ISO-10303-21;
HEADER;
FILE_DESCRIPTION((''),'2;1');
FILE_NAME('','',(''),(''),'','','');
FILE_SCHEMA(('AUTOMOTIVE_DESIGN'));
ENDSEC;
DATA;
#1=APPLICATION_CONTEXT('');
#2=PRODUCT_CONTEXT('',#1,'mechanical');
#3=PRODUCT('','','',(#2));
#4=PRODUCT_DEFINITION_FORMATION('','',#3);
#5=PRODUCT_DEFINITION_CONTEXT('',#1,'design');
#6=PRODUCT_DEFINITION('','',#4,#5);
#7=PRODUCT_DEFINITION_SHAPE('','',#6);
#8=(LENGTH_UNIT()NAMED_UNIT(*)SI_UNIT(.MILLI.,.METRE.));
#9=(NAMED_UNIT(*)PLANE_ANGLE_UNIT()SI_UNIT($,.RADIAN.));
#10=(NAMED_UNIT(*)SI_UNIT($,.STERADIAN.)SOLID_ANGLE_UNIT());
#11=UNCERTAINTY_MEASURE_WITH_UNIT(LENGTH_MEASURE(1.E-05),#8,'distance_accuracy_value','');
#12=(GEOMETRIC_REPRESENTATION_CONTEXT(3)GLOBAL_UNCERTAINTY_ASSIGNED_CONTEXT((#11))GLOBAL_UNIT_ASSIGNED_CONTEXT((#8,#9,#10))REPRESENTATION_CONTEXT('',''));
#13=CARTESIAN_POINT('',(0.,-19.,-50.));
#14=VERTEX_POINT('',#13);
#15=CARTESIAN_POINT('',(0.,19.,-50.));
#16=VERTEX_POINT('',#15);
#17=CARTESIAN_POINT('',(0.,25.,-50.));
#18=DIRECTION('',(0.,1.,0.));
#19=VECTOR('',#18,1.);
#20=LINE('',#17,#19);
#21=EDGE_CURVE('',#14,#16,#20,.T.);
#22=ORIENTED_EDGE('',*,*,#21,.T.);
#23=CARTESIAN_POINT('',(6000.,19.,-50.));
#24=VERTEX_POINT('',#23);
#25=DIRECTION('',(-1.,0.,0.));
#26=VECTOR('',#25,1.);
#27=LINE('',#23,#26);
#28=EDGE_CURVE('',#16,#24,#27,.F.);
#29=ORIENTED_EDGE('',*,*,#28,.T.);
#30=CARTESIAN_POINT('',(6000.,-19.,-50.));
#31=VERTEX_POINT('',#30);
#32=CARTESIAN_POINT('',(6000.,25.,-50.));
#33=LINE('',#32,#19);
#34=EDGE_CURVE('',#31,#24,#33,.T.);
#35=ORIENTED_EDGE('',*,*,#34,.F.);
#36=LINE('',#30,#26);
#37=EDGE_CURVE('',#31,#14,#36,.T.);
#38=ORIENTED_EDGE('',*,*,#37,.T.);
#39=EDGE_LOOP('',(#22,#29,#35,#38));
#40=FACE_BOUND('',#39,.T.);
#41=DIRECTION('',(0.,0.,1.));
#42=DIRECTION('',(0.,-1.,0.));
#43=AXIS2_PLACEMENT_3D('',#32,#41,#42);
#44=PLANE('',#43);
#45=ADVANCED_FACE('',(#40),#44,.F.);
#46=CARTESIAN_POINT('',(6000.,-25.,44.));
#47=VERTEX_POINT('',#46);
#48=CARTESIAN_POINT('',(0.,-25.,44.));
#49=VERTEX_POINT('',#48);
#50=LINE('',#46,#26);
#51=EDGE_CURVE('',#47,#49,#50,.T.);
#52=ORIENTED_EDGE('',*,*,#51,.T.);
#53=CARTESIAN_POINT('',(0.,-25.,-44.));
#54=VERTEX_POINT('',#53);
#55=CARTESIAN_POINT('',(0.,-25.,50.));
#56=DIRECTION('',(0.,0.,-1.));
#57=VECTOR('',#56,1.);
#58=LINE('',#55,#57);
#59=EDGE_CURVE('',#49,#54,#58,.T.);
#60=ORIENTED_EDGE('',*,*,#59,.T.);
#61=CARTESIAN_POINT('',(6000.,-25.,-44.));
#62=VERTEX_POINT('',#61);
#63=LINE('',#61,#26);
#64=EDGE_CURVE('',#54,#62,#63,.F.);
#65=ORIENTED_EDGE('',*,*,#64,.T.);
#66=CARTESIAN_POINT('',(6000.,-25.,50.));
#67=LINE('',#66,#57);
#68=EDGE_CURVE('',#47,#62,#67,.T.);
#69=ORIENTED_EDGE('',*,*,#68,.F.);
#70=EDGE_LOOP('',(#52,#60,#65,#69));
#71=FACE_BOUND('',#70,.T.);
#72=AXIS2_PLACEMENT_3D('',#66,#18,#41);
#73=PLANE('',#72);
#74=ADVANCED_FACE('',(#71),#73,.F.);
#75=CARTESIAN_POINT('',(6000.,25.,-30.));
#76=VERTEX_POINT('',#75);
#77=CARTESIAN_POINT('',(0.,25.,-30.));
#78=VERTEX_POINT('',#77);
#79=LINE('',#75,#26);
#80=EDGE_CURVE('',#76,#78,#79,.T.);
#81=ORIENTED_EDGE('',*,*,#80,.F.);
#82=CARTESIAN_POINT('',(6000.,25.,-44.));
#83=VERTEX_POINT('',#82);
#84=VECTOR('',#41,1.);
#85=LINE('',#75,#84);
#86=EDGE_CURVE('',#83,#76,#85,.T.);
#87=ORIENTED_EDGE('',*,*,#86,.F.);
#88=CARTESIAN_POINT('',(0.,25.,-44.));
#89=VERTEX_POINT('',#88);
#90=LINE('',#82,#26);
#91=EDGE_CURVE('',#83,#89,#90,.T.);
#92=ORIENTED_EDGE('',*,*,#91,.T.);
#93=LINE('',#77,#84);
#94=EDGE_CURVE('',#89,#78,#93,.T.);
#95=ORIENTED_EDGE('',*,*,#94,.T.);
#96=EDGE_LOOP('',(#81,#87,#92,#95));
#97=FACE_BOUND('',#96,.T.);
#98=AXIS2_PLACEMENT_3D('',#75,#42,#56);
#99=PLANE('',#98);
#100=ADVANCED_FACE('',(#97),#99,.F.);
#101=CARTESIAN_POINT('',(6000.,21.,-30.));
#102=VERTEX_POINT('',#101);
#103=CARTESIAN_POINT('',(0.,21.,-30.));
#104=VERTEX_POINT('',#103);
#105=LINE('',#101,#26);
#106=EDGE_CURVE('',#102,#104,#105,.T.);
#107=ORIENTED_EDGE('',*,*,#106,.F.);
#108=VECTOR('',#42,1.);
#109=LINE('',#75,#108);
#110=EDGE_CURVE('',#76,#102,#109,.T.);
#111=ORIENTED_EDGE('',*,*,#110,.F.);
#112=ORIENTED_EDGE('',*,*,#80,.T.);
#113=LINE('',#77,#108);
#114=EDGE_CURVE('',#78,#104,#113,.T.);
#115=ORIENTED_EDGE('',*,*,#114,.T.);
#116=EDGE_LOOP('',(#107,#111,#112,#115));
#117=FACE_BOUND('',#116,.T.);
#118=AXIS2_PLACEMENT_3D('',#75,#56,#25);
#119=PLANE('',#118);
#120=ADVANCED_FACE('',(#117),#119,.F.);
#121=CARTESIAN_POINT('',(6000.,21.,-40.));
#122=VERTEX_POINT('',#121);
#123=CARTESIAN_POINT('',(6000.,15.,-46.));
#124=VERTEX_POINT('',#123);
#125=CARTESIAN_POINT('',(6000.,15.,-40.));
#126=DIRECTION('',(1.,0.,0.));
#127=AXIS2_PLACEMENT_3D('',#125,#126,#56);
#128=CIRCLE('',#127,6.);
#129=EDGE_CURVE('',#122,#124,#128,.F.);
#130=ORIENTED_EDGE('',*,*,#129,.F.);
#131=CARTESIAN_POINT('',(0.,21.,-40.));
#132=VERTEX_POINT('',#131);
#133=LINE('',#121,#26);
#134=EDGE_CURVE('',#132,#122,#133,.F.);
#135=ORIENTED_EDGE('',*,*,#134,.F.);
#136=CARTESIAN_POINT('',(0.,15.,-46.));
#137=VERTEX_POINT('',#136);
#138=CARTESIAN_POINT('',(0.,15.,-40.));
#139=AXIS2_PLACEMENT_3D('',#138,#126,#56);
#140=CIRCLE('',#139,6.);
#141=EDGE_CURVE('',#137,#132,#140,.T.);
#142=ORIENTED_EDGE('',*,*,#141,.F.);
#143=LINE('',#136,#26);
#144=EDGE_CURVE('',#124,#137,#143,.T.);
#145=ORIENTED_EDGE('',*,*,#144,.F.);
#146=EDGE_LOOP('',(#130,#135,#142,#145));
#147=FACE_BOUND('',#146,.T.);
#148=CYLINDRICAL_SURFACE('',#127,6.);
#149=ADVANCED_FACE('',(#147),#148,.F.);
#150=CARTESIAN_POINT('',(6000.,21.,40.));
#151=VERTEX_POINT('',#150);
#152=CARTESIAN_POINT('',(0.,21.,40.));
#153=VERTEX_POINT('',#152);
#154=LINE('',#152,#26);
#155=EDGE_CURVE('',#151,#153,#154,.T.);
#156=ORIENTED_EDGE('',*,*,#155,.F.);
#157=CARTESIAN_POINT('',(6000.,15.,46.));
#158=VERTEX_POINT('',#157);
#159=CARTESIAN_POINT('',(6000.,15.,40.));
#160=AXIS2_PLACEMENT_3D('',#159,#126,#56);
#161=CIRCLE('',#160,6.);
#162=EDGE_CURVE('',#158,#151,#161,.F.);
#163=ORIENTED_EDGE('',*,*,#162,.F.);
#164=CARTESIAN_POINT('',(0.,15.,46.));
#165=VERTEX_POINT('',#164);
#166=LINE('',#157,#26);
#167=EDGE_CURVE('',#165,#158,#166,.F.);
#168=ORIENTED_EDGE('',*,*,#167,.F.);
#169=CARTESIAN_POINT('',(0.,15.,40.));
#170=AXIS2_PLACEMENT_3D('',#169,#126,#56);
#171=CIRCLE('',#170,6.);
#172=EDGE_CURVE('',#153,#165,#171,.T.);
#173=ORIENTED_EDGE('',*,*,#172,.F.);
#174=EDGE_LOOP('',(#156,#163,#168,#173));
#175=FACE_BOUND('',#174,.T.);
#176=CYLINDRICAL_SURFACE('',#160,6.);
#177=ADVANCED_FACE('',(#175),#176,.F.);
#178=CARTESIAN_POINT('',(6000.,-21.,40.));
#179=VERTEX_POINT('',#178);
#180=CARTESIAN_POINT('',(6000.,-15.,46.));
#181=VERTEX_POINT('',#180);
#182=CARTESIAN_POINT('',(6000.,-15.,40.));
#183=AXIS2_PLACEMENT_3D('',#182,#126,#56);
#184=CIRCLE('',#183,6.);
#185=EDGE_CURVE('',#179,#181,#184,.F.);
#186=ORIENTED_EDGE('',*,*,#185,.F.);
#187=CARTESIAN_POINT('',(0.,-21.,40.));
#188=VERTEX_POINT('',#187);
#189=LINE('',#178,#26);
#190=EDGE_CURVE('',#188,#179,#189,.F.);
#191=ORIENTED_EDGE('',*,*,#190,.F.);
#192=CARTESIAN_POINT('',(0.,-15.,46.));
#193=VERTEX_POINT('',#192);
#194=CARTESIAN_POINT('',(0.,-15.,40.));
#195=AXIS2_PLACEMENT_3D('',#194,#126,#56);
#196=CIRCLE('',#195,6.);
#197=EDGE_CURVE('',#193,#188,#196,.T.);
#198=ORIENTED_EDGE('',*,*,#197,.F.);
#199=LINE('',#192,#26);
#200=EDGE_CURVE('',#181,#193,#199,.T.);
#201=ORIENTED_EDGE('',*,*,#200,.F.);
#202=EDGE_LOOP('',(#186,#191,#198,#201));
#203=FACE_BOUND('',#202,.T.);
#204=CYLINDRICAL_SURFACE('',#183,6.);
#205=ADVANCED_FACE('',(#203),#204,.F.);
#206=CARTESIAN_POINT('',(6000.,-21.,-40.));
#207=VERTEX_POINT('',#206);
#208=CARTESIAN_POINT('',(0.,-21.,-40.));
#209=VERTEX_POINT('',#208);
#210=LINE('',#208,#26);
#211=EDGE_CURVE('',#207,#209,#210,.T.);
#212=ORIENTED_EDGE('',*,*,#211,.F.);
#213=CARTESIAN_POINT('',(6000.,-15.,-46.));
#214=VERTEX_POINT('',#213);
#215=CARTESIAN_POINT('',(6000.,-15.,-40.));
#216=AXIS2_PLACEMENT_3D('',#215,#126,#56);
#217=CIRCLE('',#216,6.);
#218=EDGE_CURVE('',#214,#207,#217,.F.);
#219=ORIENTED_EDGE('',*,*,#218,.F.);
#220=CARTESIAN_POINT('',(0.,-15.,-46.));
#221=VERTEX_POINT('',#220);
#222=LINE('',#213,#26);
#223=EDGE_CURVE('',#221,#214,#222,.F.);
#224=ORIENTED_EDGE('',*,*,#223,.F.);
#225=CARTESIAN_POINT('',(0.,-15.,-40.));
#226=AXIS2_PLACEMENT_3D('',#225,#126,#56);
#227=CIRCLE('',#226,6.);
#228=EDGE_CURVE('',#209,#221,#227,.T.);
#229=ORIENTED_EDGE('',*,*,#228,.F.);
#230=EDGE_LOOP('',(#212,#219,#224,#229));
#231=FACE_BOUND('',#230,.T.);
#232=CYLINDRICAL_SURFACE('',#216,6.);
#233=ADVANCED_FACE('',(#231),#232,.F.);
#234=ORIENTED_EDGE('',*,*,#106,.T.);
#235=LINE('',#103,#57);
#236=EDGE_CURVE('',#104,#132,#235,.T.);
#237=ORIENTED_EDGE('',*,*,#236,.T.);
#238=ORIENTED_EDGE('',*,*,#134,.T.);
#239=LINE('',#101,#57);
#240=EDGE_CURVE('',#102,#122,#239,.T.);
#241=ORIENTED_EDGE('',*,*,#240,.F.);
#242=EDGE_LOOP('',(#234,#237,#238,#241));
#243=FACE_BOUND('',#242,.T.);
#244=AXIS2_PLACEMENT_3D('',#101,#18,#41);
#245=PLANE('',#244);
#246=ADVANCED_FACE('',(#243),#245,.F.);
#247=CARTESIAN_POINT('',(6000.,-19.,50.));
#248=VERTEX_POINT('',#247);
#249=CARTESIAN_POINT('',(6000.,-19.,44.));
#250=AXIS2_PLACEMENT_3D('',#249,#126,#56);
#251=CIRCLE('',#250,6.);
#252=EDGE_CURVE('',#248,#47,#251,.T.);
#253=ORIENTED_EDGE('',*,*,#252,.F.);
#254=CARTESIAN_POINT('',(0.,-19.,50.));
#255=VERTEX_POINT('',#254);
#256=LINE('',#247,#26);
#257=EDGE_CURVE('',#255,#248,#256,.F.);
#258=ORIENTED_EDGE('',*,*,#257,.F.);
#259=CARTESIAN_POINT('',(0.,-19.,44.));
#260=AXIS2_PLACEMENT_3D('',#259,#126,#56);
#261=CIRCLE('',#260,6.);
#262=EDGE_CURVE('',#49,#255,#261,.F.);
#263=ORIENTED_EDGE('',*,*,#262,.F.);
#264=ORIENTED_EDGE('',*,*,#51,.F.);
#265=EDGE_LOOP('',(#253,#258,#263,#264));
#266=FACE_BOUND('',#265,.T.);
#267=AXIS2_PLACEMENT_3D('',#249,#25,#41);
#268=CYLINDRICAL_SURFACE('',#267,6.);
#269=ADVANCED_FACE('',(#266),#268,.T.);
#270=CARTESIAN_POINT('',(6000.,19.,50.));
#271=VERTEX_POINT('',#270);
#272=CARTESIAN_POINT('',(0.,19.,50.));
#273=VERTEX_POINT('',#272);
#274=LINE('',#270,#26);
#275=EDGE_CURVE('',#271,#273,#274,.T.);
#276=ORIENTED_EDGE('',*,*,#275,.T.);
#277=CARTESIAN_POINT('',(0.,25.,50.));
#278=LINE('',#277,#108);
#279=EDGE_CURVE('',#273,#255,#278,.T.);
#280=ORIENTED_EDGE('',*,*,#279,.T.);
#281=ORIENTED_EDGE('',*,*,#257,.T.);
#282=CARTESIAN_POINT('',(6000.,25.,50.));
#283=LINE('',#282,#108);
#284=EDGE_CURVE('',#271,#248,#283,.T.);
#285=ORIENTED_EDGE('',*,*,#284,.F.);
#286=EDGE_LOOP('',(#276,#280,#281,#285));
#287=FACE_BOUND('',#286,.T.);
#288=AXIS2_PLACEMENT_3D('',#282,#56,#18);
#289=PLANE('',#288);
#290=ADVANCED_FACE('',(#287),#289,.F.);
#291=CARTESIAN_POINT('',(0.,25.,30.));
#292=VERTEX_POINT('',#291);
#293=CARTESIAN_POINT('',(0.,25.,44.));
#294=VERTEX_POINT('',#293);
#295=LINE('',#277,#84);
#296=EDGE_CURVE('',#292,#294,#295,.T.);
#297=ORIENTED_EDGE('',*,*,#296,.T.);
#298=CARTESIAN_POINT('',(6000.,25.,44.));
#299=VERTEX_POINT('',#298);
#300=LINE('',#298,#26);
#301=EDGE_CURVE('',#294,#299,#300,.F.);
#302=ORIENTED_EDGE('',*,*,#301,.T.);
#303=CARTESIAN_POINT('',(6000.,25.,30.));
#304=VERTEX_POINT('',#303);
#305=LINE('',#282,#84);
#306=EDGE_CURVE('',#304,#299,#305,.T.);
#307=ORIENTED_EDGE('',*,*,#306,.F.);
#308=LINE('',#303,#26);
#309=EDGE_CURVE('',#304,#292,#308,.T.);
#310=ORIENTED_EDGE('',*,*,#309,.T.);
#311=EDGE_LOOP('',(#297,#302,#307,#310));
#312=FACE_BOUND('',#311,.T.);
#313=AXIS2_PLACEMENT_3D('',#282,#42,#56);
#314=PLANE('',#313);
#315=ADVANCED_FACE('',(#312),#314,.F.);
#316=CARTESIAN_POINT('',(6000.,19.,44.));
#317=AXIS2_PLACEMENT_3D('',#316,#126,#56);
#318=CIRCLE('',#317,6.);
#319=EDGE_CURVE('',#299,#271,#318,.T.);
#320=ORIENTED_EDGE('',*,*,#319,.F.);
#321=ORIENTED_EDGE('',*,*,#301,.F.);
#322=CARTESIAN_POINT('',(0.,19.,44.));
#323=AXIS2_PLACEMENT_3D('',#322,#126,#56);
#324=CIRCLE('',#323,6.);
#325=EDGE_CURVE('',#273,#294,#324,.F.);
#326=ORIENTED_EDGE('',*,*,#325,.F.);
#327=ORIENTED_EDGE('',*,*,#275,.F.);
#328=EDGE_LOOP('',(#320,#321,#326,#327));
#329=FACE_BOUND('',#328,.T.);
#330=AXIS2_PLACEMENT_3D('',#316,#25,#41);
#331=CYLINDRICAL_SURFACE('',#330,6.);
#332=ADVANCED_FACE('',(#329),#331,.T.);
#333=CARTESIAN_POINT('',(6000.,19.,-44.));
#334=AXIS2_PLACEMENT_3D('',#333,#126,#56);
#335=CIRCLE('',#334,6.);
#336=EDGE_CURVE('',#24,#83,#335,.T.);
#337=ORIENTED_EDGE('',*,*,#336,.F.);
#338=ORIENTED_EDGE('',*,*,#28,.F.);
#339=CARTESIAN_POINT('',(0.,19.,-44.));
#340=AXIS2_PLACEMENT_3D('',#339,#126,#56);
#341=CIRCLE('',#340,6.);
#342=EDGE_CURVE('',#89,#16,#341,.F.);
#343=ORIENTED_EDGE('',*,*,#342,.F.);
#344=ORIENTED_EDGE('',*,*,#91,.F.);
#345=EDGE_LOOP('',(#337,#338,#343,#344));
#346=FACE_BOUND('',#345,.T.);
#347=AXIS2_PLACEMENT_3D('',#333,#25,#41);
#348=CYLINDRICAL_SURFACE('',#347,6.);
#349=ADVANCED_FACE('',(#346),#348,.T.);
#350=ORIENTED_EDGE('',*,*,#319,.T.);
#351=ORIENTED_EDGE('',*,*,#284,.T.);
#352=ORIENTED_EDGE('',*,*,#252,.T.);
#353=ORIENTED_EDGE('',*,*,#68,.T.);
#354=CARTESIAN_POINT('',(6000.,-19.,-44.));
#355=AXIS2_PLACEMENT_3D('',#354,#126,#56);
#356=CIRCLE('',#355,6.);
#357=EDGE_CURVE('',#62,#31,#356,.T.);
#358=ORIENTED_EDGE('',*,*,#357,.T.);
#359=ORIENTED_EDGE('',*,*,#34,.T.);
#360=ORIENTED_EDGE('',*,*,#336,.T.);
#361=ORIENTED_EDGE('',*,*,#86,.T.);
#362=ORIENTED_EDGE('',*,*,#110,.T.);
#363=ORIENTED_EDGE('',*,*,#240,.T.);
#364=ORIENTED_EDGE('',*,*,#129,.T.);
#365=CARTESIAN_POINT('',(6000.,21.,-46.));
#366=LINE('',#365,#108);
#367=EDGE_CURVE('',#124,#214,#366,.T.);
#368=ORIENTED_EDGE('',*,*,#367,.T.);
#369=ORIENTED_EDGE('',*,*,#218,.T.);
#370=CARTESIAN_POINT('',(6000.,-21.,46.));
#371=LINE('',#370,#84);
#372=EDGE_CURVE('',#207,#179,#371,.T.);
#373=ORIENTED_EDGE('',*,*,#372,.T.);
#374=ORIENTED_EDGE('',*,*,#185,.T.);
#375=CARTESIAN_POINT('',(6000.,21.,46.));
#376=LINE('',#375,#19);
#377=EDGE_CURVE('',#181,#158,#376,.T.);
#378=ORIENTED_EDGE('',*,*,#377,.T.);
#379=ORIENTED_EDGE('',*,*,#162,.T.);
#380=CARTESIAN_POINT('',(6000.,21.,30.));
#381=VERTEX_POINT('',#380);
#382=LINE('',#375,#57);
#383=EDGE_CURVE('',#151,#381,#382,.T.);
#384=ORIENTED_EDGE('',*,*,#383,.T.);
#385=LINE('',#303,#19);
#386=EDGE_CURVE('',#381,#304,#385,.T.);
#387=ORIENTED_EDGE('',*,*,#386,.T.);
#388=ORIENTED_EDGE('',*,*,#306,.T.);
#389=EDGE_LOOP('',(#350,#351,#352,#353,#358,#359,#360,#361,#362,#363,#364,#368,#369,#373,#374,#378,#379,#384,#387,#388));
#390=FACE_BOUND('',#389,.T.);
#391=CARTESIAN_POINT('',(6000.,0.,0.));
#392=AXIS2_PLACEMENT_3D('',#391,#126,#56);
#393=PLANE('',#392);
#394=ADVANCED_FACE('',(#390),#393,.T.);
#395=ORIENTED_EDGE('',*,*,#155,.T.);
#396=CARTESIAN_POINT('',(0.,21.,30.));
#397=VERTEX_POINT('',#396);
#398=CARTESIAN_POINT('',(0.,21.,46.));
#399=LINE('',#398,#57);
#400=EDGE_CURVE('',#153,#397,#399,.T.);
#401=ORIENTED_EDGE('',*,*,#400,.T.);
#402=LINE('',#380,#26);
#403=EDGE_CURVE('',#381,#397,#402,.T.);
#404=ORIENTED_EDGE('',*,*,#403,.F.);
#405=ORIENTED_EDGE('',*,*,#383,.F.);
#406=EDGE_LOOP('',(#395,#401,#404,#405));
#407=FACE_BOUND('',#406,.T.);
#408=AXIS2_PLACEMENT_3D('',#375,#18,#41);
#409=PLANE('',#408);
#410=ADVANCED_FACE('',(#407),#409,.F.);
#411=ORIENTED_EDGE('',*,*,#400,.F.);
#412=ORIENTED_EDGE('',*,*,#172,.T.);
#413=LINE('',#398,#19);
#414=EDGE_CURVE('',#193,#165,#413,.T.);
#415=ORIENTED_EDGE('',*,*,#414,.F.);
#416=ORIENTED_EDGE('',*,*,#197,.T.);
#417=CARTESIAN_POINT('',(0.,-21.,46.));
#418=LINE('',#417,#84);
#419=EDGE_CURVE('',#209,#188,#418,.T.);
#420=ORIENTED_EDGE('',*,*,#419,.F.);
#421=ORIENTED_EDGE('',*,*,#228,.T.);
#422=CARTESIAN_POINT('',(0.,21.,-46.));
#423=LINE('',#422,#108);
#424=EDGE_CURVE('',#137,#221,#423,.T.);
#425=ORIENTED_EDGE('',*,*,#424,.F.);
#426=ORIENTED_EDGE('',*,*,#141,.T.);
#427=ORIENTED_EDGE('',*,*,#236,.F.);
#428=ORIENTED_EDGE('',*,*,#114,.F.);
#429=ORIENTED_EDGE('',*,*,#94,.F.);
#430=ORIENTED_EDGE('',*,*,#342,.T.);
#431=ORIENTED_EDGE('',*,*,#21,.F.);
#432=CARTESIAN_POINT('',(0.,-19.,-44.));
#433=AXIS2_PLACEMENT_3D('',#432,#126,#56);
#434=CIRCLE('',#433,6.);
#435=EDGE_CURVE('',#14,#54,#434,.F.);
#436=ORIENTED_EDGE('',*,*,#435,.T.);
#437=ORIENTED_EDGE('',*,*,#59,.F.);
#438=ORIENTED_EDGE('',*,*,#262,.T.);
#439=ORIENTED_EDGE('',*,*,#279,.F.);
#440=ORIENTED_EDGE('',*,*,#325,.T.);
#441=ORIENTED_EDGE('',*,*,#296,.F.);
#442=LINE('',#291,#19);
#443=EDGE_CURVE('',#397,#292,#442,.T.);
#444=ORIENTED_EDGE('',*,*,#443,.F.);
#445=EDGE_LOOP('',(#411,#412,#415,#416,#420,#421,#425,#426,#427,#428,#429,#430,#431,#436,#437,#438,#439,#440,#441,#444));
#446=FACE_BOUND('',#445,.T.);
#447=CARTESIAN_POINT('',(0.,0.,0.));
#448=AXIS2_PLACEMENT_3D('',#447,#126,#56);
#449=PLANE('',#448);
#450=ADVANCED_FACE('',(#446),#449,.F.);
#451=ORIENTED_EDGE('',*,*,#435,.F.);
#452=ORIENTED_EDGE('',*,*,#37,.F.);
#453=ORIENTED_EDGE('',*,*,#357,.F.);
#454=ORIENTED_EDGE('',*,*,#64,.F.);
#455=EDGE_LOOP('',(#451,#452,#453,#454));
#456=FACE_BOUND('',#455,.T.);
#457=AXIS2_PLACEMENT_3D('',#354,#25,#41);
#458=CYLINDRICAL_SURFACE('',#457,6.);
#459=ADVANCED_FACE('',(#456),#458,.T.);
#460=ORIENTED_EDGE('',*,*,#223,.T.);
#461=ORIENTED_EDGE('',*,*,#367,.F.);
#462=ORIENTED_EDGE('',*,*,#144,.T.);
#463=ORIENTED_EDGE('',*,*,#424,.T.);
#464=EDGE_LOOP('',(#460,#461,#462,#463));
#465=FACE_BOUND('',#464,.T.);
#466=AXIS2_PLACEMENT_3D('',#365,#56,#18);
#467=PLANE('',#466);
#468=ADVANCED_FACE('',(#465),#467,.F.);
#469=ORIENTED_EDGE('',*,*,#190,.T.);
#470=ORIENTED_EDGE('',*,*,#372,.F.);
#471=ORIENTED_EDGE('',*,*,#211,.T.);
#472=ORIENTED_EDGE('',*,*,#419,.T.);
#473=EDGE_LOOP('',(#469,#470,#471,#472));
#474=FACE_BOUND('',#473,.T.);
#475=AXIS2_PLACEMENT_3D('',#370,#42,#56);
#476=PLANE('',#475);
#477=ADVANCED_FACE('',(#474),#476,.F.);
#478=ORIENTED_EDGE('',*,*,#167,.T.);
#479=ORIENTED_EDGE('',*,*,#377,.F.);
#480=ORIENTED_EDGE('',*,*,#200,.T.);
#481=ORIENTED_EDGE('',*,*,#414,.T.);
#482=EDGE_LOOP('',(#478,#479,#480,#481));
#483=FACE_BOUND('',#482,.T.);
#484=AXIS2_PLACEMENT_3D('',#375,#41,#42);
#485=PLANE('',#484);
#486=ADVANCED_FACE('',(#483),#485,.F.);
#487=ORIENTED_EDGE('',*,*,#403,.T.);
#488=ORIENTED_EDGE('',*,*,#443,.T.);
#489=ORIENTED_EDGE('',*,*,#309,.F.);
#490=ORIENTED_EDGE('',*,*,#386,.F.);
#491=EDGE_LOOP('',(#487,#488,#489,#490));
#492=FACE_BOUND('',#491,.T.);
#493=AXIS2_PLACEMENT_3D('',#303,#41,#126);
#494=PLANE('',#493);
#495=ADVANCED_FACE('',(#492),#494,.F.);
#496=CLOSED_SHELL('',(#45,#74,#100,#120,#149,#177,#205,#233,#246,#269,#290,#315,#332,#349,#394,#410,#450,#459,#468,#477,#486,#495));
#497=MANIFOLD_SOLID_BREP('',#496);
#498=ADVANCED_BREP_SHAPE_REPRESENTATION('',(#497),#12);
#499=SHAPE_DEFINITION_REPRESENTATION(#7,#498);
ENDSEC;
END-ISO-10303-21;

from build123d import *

# Parameters (mm, degrees)
RESSALTO_EXTRUS_O1_DEPTH = 6000
FILETE1_R                = 6


with BuildPart() as part:
    # Esboço1 → Ressalto-extrusão1 (new body)
    with BuildSketch(Plane(origin=(0, 0, 0), x_dir=(0, 0, -1), z_dir=(1, 0, 0))):
        Polygon((-46, 21), (-46, -21), (46, -21), (46, 21), (30, 21), (30, 25), (50, 25), (50, -25), (-50, -25), (-50, 25), (-30, 25), (-30, 21), align=None)
    extrude(amount=RESSALTO_EXTRUS_O1_DEPTH)

    # Filete1
    filete1_edges = [part.edges().sort_by_distance(p)[0] for p in [
        (3000, -25, -50),
        (3000, -25, 50),
        (3000, 25, 50),
        (3000, 21, 46),
        (3000, -21, 46),
        (3000, -21, -46),
        (3000, 21, -46),
        (3000, 25, -50),
    ]]
    fillet(filete1_edges, radius=FILETE1_R)


solid = part.part
